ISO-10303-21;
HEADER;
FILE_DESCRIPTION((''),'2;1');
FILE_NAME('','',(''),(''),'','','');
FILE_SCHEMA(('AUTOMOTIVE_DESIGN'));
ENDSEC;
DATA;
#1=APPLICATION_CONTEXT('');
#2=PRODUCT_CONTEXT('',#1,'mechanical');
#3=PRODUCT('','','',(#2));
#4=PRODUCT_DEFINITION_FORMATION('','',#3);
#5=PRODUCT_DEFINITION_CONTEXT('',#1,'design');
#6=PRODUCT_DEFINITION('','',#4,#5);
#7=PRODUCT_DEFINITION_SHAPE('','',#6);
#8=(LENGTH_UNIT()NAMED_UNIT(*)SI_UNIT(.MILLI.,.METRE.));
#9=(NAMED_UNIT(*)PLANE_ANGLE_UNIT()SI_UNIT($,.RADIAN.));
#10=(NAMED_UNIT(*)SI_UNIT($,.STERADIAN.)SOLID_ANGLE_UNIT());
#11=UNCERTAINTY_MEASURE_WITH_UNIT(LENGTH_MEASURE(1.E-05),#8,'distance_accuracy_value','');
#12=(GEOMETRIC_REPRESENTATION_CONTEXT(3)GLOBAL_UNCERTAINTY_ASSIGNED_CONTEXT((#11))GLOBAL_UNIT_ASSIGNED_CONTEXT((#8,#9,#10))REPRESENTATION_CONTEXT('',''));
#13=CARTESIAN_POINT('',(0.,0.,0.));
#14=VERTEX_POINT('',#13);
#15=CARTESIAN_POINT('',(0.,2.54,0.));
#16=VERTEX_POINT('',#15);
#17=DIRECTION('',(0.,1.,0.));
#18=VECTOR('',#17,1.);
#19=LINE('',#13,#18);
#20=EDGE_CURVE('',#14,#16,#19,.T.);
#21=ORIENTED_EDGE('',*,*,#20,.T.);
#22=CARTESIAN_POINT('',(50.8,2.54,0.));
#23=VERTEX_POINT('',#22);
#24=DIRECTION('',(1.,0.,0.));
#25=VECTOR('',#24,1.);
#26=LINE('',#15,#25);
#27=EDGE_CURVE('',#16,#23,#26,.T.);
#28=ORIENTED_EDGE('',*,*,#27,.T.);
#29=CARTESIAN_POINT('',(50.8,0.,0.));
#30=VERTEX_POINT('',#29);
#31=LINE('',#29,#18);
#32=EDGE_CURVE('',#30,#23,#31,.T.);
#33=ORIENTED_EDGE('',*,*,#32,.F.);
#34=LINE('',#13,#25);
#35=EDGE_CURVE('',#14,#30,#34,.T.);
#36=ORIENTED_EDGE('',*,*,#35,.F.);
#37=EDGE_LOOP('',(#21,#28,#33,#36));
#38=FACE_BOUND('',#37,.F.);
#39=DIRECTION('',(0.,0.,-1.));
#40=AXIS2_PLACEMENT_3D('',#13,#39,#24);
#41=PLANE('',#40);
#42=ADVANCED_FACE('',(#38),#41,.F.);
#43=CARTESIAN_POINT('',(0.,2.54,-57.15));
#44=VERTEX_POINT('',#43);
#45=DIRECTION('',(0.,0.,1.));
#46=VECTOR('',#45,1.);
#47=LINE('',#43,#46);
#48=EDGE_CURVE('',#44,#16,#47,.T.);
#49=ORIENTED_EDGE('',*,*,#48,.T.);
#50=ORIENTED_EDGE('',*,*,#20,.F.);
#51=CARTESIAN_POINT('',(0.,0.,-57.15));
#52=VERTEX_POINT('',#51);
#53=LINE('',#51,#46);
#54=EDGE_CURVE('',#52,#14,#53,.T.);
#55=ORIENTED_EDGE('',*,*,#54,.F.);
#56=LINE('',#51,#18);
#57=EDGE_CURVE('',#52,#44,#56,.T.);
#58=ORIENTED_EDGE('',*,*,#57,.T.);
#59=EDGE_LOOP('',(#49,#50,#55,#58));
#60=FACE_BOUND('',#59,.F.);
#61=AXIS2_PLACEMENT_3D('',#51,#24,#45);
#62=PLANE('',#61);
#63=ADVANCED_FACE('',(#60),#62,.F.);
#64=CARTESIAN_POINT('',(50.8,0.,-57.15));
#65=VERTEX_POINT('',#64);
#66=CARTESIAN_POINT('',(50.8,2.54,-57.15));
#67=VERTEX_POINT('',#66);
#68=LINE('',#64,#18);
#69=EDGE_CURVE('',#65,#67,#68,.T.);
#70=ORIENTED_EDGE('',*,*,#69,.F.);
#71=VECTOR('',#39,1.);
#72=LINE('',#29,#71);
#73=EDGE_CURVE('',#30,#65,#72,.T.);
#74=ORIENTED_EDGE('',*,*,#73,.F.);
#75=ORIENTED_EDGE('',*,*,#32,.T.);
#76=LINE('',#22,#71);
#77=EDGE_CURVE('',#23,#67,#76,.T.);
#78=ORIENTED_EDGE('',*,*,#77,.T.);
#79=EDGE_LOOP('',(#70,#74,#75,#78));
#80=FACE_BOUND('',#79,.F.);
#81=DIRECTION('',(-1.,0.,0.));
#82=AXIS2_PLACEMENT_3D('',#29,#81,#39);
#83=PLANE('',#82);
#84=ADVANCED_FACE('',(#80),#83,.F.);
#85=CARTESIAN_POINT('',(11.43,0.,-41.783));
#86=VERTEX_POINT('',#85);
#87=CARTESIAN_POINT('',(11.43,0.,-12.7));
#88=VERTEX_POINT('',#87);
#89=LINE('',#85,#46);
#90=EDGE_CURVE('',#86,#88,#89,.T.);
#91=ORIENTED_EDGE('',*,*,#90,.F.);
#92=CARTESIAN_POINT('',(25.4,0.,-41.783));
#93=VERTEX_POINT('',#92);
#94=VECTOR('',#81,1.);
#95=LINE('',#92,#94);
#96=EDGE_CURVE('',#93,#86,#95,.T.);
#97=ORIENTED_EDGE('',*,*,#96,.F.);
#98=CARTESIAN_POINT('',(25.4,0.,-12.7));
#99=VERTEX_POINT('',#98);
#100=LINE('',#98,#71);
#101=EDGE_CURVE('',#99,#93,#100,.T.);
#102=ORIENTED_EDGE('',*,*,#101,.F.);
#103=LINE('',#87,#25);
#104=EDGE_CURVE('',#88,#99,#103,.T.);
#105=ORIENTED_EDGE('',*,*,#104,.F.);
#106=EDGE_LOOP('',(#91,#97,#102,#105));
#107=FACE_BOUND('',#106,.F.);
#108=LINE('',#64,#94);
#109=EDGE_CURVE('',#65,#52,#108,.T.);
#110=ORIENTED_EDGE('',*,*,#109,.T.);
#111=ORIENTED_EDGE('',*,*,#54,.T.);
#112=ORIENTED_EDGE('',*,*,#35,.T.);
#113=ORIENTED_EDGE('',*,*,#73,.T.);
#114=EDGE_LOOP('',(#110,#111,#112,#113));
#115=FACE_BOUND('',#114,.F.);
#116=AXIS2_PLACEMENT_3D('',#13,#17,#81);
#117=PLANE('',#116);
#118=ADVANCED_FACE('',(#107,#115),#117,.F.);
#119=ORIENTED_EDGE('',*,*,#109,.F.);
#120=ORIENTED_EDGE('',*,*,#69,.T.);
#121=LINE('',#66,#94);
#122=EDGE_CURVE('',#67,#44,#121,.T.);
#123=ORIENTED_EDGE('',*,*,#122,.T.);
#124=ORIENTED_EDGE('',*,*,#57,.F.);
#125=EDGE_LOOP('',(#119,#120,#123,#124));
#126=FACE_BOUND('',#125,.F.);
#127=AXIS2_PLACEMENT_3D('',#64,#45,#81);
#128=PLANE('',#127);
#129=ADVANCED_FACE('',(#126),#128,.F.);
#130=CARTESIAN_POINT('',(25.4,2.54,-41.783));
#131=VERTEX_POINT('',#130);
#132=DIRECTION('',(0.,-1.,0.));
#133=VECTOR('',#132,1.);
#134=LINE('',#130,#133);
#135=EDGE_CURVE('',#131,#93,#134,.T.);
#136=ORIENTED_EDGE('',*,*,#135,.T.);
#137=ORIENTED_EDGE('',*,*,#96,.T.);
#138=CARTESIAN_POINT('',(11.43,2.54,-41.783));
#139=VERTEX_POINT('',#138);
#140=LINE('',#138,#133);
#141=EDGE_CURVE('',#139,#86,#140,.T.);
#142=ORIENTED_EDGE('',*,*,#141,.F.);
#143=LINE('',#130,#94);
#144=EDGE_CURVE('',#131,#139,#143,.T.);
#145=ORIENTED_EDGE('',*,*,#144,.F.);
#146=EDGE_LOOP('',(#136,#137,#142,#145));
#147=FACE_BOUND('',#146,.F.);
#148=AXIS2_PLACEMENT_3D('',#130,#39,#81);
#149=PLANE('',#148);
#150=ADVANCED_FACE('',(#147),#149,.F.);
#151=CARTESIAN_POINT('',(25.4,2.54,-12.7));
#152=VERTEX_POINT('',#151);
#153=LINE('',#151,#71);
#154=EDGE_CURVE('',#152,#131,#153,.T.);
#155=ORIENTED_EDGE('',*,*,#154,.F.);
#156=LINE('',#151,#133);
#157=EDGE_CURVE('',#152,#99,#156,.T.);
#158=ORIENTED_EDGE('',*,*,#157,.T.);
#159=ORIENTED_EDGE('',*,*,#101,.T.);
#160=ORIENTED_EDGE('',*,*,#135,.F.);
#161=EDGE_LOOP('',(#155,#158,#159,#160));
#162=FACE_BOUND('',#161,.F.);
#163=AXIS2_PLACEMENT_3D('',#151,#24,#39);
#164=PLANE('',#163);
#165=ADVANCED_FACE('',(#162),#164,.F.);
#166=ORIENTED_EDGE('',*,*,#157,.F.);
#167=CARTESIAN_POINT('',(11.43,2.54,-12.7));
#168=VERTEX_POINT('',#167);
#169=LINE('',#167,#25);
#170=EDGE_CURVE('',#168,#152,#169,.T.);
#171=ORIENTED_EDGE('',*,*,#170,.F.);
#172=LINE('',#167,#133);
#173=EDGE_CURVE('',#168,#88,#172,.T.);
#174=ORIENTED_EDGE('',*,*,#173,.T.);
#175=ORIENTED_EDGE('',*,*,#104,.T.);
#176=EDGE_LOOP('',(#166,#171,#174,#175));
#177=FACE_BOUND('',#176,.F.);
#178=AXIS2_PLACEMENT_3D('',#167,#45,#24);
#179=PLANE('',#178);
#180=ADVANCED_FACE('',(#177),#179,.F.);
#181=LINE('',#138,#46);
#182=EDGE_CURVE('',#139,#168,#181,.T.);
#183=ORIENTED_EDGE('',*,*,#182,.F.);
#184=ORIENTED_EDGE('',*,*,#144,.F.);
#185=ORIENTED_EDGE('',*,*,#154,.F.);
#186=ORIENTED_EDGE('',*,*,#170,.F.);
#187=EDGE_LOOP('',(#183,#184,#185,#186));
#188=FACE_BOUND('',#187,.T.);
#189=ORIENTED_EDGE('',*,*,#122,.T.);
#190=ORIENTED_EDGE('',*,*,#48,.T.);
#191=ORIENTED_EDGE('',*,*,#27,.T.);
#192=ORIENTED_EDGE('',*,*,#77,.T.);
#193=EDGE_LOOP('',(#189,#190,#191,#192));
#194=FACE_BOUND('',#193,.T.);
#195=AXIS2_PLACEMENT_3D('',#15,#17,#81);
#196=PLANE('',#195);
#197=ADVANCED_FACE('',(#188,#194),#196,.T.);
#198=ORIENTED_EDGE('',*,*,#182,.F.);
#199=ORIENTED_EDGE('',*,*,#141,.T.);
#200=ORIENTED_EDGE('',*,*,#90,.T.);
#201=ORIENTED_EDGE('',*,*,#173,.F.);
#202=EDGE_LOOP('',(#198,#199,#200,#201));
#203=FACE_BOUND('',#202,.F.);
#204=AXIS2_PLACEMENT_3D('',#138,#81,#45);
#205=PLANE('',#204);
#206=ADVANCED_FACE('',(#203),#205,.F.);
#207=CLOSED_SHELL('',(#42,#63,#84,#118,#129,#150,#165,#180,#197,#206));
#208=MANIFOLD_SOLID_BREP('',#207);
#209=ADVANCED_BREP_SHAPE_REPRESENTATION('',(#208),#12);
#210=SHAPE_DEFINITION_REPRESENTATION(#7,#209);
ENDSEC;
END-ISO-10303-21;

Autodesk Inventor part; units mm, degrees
ref_plane "YZ Plane" through (0, 0, 0) normal (1, 0, 0) x (0, 1, 0)
ref_plane "XZ Plane" through (0, 0, 0) normal (0, 1, 0) x (-1, 0, 0)
ref_plane "XY Plane" through (0, 0, 0) normal (0, 0, 1) x (1, 0, 0)
sketch "Sketch1" plane through (0, 0, 0) normal (0, 1, 0) x (-1, 0, 0)
  line L0 (0, 0) -> (-50.8, 0)
  line L1 (-50.8, 0) -> (-50.8, -57.15)
  line L2 (-50.8, -57.15) -> (0, -57.15)
  line L3 (0, -57.15) -> (0, 0)
  dimension "d0" = 50.8
  dimension "d1" = 57.15
extrude "Extrusion1" add sketch "Sketch1" along normal blind 2.54
sketch "Sketch2" plane through (0, 2.54, 0) normal (0, 1, 0) x (1, 0, 0)
  line L0 (11.43, 12.7) -> (25.4, 12.7)
  line L1 (25.4, 12.7) -> (25.4, 41.783)
  line L2 (25.4, 41.783) -> (11.43, 41.783)
  line L3 (11.43, 41.783) -> (11.43, 12.7)
  line L4 (0, 0) -> (50.8, 0) projected
  point P0 (12.7, 25.4)
  dimension "d4" = 13.97
  dimension "d5" = 29.083
  dimension "d6" = 12.7
  dimension "d7" = 25.4
extrude "Extrusion2" cut sketch "Sketch2" against normal blind 2.54
properties part number "SwitchMount"
